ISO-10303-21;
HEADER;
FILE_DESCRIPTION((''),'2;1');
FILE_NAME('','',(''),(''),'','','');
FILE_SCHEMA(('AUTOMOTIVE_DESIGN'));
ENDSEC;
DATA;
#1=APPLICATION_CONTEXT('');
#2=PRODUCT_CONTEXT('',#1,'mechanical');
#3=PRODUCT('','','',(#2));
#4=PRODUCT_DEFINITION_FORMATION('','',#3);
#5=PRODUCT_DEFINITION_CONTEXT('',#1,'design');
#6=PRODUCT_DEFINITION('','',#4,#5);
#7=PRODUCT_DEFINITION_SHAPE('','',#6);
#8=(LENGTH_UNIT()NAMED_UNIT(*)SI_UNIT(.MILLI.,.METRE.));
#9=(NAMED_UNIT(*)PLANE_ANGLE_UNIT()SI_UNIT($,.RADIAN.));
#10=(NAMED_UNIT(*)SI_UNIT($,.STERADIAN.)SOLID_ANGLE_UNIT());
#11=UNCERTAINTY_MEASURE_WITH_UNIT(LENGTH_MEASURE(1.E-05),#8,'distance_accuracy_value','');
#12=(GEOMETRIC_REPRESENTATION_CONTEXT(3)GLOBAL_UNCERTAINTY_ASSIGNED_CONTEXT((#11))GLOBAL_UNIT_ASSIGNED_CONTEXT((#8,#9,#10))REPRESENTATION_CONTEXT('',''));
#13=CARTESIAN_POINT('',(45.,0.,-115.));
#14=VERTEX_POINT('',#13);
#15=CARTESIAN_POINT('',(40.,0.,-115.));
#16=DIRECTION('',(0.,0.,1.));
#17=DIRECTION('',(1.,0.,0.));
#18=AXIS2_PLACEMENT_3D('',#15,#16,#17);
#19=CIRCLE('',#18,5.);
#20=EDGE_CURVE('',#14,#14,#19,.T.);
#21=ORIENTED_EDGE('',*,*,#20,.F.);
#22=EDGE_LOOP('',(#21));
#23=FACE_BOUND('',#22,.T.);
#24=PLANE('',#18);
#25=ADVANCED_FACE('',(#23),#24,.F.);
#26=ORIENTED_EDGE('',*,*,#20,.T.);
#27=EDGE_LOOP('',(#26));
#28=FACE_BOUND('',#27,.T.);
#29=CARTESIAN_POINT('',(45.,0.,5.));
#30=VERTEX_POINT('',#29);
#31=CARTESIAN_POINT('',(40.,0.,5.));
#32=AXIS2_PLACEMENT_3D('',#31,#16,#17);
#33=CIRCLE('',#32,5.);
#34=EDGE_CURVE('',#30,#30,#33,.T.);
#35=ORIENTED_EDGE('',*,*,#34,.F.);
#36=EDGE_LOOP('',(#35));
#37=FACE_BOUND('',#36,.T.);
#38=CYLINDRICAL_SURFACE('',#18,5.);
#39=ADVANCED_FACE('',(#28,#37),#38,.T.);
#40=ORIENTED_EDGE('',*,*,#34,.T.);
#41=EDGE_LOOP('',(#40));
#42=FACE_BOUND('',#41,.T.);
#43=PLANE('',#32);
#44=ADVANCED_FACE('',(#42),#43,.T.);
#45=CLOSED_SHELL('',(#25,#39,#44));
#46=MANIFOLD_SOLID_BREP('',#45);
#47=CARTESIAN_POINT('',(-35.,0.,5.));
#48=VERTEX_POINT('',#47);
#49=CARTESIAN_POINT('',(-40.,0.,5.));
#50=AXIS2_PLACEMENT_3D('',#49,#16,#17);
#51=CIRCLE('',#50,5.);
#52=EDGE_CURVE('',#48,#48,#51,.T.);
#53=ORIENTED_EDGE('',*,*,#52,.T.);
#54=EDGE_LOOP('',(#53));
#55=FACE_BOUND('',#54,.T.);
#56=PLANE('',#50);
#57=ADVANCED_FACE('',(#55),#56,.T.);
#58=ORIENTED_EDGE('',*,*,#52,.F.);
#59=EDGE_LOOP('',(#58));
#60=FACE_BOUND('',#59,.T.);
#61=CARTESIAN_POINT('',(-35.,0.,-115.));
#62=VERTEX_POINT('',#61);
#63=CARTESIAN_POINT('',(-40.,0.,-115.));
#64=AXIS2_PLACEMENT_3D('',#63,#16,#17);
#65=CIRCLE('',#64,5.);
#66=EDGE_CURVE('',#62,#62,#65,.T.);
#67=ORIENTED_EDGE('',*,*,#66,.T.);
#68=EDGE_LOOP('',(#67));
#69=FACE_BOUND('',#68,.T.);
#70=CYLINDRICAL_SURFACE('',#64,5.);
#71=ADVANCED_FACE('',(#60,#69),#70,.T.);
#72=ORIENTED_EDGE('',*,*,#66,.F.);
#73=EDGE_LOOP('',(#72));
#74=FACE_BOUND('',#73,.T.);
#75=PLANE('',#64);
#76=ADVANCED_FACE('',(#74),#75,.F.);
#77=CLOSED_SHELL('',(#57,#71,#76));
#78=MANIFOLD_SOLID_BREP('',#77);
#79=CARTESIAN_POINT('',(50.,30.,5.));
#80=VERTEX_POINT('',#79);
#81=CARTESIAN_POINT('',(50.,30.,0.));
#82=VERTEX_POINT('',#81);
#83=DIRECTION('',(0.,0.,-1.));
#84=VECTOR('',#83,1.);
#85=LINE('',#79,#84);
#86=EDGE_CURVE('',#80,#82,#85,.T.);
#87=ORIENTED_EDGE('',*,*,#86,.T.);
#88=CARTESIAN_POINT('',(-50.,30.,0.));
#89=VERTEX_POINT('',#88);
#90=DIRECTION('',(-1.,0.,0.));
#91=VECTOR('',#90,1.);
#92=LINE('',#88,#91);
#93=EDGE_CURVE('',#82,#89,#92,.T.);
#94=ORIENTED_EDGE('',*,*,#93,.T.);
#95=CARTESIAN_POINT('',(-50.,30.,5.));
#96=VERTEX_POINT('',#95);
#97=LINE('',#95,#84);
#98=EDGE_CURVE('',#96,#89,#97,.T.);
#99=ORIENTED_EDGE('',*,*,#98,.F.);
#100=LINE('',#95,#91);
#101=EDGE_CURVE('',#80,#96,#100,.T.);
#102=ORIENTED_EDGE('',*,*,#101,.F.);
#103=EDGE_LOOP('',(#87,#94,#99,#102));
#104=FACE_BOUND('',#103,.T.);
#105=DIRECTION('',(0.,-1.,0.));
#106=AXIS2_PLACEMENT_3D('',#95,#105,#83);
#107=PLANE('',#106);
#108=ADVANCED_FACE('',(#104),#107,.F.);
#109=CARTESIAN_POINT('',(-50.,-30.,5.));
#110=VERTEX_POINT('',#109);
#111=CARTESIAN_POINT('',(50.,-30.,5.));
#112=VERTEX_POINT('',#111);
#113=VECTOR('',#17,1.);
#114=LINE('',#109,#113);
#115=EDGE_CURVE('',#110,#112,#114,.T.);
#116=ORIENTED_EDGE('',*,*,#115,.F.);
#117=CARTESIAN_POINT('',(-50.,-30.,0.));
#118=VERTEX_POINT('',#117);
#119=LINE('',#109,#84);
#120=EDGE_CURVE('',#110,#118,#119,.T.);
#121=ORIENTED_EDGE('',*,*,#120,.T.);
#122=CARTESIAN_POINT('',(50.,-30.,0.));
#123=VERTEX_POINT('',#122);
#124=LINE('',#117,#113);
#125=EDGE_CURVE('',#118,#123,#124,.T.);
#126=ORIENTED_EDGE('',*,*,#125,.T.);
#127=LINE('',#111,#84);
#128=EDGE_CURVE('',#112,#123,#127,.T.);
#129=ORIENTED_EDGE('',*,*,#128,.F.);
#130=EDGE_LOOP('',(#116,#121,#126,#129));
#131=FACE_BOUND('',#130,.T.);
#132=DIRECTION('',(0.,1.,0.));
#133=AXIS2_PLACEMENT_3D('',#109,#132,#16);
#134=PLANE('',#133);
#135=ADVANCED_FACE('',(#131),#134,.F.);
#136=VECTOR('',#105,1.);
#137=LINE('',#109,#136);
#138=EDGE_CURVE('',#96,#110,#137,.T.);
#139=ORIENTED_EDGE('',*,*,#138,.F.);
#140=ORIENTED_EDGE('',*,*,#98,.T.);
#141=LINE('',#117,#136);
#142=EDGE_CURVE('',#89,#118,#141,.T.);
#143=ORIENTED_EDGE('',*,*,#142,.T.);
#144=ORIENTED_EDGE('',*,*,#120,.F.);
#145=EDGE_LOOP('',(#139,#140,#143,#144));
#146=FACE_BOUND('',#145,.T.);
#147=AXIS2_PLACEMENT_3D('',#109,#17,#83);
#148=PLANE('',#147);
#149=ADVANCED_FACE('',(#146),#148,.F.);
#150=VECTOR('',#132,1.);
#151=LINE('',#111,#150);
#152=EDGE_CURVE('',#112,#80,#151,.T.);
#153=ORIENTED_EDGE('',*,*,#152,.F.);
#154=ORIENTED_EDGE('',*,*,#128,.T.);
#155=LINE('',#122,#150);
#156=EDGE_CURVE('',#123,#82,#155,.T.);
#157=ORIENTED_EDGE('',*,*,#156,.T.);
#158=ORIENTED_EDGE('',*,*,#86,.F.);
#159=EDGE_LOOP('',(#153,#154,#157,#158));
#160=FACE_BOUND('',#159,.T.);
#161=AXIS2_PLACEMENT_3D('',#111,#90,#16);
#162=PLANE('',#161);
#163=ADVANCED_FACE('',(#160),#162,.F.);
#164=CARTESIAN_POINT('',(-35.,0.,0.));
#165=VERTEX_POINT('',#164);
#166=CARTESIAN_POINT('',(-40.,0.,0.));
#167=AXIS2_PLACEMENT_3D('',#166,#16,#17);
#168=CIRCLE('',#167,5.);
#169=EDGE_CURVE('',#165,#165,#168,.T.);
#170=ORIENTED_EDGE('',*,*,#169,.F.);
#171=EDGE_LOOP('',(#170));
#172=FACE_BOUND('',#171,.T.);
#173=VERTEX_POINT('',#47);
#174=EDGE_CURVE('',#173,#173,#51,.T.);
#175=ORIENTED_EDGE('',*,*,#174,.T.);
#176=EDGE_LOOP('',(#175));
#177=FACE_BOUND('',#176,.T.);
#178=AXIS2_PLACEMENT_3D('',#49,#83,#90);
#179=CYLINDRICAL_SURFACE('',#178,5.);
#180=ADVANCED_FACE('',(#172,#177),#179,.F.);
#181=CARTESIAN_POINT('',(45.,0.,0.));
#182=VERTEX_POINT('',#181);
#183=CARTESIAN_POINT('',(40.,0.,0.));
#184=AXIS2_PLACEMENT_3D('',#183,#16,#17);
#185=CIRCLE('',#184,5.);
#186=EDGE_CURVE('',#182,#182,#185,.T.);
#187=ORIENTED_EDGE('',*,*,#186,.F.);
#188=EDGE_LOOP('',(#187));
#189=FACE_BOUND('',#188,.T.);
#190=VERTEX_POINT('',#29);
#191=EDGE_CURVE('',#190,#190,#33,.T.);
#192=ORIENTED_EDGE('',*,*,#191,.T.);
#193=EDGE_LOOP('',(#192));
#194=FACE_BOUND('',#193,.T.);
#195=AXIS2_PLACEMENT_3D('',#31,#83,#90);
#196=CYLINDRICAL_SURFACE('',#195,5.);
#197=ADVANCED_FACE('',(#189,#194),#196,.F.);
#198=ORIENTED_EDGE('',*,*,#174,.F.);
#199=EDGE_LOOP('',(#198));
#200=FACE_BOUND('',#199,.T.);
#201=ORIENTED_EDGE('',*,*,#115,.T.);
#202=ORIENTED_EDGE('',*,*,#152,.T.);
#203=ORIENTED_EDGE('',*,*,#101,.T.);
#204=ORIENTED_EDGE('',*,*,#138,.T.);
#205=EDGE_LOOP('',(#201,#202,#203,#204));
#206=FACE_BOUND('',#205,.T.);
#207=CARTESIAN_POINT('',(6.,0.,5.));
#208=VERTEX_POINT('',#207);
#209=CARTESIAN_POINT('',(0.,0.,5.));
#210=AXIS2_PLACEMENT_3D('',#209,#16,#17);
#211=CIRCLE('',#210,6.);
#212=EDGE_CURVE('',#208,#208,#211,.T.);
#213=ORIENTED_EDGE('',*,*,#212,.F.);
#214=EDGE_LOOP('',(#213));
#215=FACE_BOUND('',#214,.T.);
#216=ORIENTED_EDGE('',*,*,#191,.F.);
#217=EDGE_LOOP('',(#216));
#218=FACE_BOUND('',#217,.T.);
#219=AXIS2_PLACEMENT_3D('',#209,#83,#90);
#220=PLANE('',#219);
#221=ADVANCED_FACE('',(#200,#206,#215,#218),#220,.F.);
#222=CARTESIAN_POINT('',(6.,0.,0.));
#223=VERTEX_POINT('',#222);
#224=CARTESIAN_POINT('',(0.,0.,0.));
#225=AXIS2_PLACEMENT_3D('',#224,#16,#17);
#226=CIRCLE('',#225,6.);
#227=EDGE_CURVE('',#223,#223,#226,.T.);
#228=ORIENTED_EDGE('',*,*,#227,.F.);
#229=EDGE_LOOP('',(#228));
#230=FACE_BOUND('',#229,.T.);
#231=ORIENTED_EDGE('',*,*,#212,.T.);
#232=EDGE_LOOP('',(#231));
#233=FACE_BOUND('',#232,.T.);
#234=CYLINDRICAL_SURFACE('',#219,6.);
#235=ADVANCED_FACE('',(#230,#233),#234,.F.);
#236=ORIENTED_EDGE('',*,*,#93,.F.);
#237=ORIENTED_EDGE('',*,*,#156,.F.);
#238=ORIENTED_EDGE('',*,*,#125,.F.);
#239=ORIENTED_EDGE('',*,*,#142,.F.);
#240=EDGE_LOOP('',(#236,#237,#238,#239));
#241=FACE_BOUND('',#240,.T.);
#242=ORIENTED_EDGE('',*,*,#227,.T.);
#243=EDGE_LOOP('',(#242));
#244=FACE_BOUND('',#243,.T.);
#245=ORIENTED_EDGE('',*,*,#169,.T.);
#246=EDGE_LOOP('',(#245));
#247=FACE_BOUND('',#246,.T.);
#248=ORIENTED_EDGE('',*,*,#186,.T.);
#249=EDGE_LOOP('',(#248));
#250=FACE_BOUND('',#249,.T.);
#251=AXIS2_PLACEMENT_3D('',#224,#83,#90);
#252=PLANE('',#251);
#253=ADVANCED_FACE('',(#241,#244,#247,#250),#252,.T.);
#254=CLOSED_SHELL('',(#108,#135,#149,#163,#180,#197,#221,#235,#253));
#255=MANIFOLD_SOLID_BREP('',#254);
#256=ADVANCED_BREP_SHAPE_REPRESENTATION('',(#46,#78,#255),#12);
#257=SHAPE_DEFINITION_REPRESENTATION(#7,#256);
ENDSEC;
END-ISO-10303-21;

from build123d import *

# Parameters (mm, degrees)
SKETCH1_W             = 100
SKETCH1_H             = 60
SKETCH1_R             = 6
SKETCH1_R_2           = 5
BOSS_EXTRUDE1_DEPTH   = 5
SKETCH2_R             = 5
BOSS_EXTRUDE2_DEPTH   = 120
BOSS_EXTRUDE2_2_DEPTH = 120


with BuildPart() as part:
    # Sketch1 → Boss-Extrude1 (new body)
    with BuildSketch(Plane.XY):
        Rectangle(SKETCH1_W, SKETCH1_H)
        Circle(SKETCH1_R, mode=Mode.SUBTRACT)
        with Locations((-40, 0)):
            Circle(SKETCH1_R_2, mode=Mode.SUBTRACT)
        with Locations((40, 0)):
            Circle(SKETCH1_R_2, mode=Mode.SUBTRACT)
    extrude(amount=BOSS_EXTRUDE1_DEPTH)


with BuildPart() as body_2:
    # Sketch2 → Boss-Extrude2 (new body)
    with BuildSketch(Plane.XY.offset(5)):
        with Locations((40, 0)):
            Circle(SKETCH2_R)
    extrude(amount=-BOSS_EXTRUDE2_DEPTH)


with BuildPart() as body_3:
    # Sketch2 → Boss-Extrude2 2 (new body)
    with BuildSketch(Plane.XY.offset(5)):
        with Locations((-40, 0)):
            Circle(SKETCH2_R)
    extrude(amount=-BOSS_EXTRUDE2_2_DEPTH)


solid = Compound([part.part, body_2.part, body_3.part])
